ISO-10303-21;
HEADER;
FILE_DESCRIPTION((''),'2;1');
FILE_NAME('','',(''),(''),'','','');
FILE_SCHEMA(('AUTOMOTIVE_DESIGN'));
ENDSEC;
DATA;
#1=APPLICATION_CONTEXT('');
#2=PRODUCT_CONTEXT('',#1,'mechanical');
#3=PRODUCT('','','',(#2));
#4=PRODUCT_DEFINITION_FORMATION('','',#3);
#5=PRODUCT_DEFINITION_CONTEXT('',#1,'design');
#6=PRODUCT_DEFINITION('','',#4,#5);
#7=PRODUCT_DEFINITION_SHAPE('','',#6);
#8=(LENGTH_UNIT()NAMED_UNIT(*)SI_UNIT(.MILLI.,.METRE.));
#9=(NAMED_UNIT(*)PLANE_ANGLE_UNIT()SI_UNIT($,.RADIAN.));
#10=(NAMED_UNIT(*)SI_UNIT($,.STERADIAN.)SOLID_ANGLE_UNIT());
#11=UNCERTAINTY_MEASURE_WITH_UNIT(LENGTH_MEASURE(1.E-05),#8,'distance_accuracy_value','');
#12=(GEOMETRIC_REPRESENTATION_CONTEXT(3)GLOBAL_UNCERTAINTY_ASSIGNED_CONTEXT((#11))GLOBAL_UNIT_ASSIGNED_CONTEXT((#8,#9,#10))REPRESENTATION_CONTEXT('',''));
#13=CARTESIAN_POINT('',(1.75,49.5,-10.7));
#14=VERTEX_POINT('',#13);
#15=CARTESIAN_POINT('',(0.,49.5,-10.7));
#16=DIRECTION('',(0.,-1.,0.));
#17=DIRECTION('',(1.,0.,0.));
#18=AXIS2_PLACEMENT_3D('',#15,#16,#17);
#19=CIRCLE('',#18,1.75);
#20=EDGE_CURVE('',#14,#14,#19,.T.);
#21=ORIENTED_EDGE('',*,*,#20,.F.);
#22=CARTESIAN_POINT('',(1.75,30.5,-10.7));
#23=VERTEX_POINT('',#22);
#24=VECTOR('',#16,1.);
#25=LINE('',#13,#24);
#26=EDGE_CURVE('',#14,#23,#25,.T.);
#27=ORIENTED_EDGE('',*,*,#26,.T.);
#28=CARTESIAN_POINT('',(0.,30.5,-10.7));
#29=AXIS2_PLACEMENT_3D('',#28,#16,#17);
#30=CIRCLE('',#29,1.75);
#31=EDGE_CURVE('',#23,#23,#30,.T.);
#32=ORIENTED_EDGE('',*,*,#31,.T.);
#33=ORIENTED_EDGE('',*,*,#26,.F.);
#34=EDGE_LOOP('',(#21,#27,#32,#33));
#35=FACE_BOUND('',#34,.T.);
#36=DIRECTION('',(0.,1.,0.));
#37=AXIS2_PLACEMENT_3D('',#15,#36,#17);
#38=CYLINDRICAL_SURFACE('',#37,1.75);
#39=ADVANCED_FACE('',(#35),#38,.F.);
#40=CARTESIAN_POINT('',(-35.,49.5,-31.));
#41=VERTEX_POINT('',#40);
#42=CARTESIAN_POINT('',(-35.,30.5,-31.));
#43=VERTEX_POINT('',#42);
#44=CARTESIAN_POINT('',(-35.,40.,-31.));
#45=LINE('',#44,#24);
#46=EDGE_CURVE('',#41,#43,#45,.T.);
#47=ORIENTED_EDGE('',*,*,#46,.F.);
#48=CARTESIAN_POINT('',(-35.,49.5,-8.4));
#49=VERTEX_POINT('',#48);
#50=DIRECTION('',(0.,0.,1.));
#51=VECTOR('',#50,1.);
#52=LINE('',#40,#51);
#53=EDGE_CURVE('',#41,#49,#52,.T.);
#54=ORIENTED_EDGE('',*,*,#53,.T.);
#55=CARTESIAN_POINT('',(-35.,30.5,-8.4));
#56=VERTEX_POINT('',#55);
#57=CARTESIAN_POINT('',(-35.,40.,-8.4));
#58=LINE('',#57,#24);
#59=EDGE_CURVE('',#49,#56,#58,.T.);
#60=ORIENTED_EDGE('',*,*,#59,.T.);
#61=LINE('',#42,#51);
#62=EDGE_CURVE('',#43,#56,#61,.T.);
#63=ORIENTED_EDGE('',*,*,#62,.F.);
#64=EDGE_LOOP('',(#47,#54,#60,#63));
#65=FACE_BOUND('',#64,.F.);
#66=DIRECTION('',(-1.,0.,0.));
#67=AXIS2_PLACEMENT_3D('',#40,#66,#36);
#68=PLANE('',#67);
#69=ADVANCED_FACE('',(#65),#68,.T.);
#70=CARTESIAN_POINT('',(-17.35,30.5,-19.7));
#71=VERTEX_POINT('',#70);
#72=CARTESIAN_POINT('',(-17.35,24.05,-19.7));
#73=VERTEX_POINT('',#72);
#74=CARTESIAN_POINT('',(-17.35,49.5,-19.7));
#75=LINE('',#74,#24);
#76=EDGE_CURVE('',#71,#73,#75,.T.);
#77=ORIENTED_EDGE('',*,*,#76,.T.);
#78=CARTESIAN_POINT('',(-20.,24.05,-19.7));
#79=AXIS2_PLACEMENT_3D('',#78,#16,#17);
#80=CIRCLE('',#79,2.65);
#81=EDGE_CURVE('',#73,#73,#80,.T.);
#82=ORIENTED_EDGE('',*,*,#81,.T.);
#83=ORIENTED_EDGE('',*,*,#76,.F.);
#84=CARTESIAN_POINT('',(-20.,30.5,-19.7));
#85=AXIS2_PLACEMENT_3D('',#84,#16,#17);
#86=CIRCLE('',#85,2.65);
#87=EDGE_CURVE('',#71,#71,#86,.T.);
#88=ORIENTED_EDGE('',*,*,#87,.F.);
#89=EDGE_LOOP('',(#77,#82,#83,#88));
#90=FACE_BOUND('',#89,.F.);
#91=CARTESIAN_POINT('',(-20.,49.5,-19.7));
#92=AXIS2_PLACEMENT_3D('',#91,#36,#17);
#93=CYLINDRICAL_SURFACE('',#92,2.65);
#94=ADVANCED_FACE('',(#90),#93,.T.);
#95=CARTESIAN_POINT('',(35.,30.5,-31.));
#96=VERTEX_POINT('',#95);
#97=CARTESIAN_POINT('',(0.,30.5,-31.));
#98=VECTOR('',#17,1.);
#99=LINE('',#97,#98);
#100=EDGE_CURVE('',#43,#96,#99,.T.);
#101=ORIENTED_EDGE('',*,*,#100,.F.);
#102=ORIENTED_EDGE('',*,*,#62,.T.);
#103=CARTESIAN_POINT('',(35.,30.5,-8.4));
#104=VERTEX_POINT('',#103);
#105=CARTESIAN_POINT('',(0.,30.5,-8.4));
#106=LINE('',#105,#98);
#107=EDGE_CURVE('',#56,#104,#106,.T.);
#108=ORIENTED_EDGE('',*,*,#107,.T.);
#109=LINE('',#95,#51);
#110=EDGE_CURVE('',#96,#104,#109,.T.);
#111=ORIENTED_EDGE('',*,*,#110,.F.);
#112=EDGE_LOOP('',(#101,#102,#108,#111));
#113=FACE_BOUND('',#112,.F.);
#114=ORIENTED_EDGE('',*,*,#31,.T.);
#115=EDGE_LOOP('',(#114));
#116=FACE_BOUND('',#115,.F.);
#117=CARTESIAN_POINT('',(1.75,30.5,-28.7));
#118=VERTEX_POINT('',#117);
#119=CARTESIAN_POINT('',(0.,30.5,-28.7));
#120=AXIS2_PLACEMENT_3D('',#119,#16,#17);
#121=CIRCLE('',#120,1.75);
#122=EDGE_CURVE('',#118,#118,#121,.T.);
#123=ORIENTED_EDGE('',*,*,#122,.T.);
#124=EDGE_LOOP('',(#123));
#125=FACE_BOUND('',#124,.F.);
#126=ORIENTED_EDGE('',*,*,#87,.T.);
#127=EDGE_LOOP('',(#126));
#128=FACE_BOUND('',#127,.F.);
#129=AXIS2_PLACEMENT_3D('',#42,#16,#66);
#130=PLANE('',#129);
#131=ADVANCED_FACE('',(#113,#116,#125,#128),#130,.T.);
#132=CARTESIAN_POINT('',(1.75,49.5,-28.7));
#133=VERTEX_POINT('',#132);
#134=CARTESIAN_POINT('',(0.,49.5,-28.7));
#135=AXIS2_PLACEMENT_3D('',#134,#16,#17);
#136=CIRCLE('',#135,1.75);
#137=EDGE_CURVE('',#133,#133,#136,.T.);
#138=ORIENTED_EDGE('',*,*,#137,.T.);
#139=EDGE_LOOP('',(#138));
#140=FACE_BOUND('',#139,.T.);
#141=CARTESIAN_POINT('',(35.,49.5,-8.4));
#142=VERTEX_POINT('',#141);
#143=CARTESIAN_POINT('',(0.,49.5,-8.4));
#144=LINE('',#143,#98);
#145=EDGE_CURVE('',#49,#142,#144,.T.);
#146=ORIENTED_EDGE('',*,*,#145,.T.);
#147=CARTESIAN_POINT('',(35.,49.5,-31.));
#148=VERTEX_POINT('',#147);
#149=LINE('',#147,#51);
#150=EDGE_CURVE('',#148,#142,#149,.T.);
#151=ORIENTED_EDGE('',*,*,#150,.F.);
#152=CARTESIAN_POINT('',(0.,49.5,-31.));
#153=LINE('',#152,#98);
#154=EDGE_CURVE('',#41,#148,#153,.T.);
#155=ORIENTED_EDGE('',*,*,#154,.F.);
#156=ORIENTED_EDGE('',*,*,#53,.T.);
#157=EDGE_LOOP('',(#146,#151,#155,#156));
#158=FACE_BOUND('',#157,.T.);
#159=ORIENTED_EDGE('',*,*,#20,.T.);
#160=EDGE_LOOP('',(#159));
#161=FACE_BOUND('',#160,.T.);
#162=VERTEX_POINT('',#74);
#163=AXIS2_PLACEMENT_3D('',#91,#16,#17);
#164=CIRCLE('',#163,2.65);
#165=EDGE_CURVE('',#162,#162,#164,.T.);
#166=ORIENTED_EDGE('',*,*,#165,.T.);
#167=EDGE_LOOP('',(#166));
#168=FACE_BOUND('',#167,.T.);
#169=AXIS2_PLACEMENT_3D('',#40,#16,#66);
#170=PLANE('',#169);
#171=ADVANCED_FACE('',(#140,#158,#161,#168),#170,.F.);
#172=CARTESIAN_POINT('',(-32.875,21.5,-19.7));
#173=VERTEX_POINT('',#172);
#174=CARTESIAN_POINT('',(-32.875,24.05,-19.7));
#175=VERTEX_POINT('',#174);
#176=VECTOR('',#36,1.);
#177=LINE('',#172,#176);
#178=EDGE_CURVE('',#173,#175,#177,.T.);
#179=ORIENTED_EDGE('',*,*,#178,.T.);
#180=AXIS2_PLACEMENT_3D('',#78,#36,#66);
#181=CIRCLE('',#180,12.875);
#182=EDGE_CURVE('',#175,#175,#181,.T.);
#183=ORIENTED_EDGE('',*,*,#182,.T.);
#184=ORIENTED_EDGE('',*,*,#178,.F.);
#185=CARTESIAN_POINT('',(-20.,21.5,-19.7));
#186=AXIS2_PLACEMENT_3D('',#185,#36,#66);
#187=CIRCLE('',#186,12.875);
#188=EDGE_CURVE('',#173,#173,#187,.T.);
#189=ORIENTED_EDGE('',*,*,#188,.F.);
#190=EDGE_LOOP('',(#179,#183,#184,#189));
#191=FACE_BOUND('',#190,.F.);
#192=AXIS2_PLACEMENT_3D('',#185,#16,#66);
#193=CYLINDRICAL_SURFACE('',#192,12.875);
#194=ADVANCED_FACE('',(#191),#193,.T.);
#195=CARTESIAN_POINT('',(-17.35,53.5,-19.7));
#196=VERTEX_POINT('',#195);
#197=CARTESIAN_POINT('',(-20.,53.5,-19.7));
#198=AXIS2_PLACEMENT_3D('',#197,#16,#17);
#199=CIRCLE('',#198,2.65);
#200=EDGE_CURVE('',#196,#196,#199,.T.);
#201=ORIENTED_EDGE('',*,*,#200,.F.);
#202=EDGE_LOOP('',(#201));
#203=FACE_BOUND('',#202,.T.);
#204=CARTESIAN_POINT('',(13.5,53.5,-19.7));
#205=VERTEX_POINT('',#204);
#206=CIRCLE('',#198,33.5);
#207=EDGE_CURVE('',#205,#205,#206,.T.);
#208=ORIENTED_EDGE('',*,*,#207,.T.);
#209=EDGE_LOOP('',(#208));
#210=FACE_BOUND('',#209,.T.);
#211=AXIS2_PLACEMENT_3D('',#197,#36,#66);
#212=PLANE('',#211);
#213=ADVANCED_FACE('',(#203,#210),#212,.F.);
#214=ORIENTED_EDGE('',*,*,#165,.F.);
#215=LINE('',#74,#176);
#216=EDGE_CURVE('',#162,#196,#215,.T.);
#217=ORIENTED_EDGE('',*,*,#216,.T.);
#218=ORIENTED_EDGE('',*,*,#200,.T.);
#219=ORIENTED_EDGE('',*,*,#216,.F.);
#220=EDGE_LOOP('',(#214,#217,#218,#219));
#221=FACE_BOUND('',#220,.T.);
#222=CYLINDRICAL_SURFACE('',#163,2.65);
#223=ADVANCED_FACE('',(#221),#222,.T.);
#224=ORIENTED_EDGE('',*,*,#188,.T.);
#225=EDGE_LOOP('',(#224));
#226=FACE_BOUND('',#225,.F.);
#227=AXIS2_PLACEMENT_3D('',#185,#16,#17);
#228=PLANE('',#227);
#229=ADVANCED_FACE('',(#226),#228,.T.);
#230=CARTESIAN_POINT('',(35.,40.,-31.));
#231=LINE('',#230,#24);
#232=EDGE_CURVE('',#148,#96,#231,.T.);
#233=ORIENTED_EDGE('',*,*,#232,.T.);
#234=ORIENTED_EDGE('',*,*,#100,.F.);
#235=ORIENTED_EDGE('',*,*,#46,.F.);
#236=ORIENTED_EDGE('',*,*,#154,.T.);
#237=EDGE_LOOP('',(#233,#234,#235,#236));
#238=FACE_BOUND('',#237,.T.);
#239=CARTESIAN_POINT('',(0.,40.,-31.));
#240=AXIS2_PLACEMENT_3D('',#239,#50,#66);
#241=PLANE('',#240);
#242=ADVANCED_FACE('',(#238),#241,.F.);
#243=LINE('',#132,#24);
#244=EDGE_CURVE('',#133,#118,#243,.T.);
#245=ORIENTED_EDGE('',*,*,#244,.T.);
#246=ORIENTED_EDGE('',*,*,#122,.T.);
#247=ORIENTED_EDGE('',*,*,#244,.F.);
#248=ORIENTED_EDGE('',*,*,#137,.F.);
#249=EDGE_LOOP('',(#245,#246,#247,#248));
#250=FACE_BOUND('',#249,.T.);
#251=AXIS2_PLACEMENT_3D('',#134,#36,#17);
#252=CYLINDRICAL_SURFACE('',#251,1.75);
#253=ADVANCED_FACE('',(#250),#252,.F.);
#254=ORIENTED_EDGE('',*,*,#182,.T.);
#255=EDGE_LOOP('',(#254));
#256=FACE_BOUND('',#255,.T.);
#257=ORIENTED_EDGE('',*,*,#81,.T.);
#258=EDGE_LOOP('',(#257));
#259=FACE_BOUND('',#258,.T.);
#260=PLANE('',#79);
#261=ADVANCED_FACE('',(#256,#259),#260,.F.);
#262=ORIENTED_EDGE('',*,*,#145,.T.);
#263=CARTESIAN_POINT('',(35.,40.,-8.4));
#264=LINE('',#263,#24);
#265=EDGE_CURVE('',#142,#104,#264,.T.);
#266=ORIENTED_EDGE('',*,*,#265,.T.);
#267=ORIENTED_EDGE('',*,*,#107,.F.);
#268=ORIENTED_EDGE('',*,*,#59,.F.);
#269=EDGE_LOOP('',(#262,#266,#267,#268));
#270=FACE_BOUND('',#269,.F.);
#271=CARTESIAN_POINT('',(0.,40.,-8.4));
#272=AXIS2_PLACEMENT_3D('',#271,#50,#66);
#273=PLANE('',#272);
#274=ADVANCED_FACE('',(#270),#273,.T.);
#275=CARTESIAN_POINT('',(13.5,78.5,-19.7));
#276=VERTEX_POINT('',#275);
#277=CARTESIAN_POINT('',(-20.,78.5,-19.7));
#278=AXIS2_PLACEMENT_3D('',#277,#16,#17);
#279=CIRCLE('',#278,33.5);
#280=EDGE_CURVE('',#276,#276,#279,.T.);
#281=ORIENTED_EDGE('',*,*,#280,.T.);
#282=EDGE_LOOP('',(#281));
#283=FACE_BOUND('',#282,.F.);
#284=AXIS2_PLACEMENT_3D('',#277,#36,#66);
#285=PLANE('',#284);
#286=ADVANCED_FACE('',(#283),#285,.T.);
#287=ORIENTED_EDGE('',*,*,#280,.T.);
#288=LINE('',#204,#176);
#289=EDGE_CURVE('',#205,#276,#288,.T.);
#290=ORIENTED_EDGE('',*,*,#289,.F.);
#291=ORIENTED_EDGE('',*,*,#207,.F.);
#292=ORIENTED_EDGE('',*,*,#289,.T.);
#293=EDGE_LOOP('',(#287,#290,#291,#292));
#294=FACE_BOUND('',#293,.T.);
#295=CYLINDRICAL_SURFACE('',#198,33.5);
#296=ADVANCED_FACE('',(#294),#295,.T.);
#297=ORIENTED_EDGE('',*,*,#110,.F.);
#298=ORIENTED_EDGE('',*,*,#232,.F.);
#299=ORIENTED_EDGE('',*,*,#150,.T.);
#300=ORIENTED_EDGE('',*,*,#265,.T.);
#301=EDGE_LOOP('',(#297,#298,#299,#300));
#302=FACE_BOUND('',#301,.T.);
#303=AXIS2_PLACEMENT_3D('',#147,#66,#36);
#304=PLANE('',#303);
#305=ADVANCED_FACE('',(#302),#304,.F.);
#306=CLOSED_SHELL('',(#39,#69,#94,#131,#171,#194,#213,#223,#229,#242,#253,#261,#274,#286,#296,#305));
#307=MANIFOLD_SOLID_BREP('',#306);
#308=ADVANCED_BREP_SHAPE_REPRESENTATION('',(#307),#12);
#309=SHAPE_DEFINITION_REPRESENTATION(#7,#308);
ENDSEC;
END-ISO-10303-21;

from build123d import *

# Parameters (mm, degrees)
SKETCH023_W       = 70
SKETCH023_H       = 19
PAD010_DEPTH      = 22.6
SKETCH001_R       = 1.75
POCKET007_DEPTH   = 19.001
SKETCH002_R       = 2.65
PAD011_DEPTH      = 4
PAD011_DEPTH_BACK = 28
SKETCH026_R       = 33.5
PAD014_DEPTH      = 25
SKETCH027_R       = 12.875
PAD015_DEPTH      = 2.55


with BuildPart() as moteurroue:
    # Sketch023 → Pad010 (new body)
    with BuildSketch(Plane.XY):
        Rectangle(SKETCH023_W, SKETCH023_H)
    extrude(amount=PAD010_DEPTH)

    # Sketch001 (on Face3 of Pad010) → Pocket007 (cut, through all)
    with BuildSketch(Plane.XZ.offset(9.5)):
        with Locations((0, 20.3)):
            Circle(SKETCH001_R)
        with Locations((0, 2.3)):
            Circle(SKETCH001_R)
    extrude(amount=-POCKET007_DEPTH, mode=Mode.SUBTRACT)

    # Sketch002 (on Face8 of Pocket007) → Pad011 (join, two sides)
    with BuildSketch(Plane.XZ.offset(9.5)) as pad011_sk:
        with Locations((-20, 11.3)):
            Circle(SKETCH002_R)
    extrude(amount=PAD011_DEPTH)
    extrude(pad011_sk.sketch, amount=-PAD011_DEPTH_BACK)

    # Sketch026 (on Face12 of Pad011) → Pad014 (join)
    with BuildSketch(Plane.XZ.offset(13.5)):
        with Locations((-20, 11.3)):
            Circle(SKETCH026_R)
    extrude(amount=PAD014_DEPTH)

    # Sketch027 (on Face14 of Pad014) → Pad015 (join)
    with BuildSketch(Plane(origin=(0, 18.5, 0), x_dir=(-1, 0, 0), z_dir=(0, 1, 0))):
        with Locations((20, 11.3)):
            Circle(SKETCH027_R)
    extrude(amount=-PAD015_DEPTH)


with BuildPart() as moteurroue_1:
    # Body002 placement: moved
    add(moteurroue.part.moved(Location((0, -40, -31))))


with BuildPart() as part_mirroring:
    # Part__Mirroring: instance of MoteurRoue
    add(moteurroue_1.part.mirror(Plane(origin=(0, 0, 0), x_dir=(1, 0, 0), z_dir=(0, 1, 0))))


solid = part_mirroring.part
